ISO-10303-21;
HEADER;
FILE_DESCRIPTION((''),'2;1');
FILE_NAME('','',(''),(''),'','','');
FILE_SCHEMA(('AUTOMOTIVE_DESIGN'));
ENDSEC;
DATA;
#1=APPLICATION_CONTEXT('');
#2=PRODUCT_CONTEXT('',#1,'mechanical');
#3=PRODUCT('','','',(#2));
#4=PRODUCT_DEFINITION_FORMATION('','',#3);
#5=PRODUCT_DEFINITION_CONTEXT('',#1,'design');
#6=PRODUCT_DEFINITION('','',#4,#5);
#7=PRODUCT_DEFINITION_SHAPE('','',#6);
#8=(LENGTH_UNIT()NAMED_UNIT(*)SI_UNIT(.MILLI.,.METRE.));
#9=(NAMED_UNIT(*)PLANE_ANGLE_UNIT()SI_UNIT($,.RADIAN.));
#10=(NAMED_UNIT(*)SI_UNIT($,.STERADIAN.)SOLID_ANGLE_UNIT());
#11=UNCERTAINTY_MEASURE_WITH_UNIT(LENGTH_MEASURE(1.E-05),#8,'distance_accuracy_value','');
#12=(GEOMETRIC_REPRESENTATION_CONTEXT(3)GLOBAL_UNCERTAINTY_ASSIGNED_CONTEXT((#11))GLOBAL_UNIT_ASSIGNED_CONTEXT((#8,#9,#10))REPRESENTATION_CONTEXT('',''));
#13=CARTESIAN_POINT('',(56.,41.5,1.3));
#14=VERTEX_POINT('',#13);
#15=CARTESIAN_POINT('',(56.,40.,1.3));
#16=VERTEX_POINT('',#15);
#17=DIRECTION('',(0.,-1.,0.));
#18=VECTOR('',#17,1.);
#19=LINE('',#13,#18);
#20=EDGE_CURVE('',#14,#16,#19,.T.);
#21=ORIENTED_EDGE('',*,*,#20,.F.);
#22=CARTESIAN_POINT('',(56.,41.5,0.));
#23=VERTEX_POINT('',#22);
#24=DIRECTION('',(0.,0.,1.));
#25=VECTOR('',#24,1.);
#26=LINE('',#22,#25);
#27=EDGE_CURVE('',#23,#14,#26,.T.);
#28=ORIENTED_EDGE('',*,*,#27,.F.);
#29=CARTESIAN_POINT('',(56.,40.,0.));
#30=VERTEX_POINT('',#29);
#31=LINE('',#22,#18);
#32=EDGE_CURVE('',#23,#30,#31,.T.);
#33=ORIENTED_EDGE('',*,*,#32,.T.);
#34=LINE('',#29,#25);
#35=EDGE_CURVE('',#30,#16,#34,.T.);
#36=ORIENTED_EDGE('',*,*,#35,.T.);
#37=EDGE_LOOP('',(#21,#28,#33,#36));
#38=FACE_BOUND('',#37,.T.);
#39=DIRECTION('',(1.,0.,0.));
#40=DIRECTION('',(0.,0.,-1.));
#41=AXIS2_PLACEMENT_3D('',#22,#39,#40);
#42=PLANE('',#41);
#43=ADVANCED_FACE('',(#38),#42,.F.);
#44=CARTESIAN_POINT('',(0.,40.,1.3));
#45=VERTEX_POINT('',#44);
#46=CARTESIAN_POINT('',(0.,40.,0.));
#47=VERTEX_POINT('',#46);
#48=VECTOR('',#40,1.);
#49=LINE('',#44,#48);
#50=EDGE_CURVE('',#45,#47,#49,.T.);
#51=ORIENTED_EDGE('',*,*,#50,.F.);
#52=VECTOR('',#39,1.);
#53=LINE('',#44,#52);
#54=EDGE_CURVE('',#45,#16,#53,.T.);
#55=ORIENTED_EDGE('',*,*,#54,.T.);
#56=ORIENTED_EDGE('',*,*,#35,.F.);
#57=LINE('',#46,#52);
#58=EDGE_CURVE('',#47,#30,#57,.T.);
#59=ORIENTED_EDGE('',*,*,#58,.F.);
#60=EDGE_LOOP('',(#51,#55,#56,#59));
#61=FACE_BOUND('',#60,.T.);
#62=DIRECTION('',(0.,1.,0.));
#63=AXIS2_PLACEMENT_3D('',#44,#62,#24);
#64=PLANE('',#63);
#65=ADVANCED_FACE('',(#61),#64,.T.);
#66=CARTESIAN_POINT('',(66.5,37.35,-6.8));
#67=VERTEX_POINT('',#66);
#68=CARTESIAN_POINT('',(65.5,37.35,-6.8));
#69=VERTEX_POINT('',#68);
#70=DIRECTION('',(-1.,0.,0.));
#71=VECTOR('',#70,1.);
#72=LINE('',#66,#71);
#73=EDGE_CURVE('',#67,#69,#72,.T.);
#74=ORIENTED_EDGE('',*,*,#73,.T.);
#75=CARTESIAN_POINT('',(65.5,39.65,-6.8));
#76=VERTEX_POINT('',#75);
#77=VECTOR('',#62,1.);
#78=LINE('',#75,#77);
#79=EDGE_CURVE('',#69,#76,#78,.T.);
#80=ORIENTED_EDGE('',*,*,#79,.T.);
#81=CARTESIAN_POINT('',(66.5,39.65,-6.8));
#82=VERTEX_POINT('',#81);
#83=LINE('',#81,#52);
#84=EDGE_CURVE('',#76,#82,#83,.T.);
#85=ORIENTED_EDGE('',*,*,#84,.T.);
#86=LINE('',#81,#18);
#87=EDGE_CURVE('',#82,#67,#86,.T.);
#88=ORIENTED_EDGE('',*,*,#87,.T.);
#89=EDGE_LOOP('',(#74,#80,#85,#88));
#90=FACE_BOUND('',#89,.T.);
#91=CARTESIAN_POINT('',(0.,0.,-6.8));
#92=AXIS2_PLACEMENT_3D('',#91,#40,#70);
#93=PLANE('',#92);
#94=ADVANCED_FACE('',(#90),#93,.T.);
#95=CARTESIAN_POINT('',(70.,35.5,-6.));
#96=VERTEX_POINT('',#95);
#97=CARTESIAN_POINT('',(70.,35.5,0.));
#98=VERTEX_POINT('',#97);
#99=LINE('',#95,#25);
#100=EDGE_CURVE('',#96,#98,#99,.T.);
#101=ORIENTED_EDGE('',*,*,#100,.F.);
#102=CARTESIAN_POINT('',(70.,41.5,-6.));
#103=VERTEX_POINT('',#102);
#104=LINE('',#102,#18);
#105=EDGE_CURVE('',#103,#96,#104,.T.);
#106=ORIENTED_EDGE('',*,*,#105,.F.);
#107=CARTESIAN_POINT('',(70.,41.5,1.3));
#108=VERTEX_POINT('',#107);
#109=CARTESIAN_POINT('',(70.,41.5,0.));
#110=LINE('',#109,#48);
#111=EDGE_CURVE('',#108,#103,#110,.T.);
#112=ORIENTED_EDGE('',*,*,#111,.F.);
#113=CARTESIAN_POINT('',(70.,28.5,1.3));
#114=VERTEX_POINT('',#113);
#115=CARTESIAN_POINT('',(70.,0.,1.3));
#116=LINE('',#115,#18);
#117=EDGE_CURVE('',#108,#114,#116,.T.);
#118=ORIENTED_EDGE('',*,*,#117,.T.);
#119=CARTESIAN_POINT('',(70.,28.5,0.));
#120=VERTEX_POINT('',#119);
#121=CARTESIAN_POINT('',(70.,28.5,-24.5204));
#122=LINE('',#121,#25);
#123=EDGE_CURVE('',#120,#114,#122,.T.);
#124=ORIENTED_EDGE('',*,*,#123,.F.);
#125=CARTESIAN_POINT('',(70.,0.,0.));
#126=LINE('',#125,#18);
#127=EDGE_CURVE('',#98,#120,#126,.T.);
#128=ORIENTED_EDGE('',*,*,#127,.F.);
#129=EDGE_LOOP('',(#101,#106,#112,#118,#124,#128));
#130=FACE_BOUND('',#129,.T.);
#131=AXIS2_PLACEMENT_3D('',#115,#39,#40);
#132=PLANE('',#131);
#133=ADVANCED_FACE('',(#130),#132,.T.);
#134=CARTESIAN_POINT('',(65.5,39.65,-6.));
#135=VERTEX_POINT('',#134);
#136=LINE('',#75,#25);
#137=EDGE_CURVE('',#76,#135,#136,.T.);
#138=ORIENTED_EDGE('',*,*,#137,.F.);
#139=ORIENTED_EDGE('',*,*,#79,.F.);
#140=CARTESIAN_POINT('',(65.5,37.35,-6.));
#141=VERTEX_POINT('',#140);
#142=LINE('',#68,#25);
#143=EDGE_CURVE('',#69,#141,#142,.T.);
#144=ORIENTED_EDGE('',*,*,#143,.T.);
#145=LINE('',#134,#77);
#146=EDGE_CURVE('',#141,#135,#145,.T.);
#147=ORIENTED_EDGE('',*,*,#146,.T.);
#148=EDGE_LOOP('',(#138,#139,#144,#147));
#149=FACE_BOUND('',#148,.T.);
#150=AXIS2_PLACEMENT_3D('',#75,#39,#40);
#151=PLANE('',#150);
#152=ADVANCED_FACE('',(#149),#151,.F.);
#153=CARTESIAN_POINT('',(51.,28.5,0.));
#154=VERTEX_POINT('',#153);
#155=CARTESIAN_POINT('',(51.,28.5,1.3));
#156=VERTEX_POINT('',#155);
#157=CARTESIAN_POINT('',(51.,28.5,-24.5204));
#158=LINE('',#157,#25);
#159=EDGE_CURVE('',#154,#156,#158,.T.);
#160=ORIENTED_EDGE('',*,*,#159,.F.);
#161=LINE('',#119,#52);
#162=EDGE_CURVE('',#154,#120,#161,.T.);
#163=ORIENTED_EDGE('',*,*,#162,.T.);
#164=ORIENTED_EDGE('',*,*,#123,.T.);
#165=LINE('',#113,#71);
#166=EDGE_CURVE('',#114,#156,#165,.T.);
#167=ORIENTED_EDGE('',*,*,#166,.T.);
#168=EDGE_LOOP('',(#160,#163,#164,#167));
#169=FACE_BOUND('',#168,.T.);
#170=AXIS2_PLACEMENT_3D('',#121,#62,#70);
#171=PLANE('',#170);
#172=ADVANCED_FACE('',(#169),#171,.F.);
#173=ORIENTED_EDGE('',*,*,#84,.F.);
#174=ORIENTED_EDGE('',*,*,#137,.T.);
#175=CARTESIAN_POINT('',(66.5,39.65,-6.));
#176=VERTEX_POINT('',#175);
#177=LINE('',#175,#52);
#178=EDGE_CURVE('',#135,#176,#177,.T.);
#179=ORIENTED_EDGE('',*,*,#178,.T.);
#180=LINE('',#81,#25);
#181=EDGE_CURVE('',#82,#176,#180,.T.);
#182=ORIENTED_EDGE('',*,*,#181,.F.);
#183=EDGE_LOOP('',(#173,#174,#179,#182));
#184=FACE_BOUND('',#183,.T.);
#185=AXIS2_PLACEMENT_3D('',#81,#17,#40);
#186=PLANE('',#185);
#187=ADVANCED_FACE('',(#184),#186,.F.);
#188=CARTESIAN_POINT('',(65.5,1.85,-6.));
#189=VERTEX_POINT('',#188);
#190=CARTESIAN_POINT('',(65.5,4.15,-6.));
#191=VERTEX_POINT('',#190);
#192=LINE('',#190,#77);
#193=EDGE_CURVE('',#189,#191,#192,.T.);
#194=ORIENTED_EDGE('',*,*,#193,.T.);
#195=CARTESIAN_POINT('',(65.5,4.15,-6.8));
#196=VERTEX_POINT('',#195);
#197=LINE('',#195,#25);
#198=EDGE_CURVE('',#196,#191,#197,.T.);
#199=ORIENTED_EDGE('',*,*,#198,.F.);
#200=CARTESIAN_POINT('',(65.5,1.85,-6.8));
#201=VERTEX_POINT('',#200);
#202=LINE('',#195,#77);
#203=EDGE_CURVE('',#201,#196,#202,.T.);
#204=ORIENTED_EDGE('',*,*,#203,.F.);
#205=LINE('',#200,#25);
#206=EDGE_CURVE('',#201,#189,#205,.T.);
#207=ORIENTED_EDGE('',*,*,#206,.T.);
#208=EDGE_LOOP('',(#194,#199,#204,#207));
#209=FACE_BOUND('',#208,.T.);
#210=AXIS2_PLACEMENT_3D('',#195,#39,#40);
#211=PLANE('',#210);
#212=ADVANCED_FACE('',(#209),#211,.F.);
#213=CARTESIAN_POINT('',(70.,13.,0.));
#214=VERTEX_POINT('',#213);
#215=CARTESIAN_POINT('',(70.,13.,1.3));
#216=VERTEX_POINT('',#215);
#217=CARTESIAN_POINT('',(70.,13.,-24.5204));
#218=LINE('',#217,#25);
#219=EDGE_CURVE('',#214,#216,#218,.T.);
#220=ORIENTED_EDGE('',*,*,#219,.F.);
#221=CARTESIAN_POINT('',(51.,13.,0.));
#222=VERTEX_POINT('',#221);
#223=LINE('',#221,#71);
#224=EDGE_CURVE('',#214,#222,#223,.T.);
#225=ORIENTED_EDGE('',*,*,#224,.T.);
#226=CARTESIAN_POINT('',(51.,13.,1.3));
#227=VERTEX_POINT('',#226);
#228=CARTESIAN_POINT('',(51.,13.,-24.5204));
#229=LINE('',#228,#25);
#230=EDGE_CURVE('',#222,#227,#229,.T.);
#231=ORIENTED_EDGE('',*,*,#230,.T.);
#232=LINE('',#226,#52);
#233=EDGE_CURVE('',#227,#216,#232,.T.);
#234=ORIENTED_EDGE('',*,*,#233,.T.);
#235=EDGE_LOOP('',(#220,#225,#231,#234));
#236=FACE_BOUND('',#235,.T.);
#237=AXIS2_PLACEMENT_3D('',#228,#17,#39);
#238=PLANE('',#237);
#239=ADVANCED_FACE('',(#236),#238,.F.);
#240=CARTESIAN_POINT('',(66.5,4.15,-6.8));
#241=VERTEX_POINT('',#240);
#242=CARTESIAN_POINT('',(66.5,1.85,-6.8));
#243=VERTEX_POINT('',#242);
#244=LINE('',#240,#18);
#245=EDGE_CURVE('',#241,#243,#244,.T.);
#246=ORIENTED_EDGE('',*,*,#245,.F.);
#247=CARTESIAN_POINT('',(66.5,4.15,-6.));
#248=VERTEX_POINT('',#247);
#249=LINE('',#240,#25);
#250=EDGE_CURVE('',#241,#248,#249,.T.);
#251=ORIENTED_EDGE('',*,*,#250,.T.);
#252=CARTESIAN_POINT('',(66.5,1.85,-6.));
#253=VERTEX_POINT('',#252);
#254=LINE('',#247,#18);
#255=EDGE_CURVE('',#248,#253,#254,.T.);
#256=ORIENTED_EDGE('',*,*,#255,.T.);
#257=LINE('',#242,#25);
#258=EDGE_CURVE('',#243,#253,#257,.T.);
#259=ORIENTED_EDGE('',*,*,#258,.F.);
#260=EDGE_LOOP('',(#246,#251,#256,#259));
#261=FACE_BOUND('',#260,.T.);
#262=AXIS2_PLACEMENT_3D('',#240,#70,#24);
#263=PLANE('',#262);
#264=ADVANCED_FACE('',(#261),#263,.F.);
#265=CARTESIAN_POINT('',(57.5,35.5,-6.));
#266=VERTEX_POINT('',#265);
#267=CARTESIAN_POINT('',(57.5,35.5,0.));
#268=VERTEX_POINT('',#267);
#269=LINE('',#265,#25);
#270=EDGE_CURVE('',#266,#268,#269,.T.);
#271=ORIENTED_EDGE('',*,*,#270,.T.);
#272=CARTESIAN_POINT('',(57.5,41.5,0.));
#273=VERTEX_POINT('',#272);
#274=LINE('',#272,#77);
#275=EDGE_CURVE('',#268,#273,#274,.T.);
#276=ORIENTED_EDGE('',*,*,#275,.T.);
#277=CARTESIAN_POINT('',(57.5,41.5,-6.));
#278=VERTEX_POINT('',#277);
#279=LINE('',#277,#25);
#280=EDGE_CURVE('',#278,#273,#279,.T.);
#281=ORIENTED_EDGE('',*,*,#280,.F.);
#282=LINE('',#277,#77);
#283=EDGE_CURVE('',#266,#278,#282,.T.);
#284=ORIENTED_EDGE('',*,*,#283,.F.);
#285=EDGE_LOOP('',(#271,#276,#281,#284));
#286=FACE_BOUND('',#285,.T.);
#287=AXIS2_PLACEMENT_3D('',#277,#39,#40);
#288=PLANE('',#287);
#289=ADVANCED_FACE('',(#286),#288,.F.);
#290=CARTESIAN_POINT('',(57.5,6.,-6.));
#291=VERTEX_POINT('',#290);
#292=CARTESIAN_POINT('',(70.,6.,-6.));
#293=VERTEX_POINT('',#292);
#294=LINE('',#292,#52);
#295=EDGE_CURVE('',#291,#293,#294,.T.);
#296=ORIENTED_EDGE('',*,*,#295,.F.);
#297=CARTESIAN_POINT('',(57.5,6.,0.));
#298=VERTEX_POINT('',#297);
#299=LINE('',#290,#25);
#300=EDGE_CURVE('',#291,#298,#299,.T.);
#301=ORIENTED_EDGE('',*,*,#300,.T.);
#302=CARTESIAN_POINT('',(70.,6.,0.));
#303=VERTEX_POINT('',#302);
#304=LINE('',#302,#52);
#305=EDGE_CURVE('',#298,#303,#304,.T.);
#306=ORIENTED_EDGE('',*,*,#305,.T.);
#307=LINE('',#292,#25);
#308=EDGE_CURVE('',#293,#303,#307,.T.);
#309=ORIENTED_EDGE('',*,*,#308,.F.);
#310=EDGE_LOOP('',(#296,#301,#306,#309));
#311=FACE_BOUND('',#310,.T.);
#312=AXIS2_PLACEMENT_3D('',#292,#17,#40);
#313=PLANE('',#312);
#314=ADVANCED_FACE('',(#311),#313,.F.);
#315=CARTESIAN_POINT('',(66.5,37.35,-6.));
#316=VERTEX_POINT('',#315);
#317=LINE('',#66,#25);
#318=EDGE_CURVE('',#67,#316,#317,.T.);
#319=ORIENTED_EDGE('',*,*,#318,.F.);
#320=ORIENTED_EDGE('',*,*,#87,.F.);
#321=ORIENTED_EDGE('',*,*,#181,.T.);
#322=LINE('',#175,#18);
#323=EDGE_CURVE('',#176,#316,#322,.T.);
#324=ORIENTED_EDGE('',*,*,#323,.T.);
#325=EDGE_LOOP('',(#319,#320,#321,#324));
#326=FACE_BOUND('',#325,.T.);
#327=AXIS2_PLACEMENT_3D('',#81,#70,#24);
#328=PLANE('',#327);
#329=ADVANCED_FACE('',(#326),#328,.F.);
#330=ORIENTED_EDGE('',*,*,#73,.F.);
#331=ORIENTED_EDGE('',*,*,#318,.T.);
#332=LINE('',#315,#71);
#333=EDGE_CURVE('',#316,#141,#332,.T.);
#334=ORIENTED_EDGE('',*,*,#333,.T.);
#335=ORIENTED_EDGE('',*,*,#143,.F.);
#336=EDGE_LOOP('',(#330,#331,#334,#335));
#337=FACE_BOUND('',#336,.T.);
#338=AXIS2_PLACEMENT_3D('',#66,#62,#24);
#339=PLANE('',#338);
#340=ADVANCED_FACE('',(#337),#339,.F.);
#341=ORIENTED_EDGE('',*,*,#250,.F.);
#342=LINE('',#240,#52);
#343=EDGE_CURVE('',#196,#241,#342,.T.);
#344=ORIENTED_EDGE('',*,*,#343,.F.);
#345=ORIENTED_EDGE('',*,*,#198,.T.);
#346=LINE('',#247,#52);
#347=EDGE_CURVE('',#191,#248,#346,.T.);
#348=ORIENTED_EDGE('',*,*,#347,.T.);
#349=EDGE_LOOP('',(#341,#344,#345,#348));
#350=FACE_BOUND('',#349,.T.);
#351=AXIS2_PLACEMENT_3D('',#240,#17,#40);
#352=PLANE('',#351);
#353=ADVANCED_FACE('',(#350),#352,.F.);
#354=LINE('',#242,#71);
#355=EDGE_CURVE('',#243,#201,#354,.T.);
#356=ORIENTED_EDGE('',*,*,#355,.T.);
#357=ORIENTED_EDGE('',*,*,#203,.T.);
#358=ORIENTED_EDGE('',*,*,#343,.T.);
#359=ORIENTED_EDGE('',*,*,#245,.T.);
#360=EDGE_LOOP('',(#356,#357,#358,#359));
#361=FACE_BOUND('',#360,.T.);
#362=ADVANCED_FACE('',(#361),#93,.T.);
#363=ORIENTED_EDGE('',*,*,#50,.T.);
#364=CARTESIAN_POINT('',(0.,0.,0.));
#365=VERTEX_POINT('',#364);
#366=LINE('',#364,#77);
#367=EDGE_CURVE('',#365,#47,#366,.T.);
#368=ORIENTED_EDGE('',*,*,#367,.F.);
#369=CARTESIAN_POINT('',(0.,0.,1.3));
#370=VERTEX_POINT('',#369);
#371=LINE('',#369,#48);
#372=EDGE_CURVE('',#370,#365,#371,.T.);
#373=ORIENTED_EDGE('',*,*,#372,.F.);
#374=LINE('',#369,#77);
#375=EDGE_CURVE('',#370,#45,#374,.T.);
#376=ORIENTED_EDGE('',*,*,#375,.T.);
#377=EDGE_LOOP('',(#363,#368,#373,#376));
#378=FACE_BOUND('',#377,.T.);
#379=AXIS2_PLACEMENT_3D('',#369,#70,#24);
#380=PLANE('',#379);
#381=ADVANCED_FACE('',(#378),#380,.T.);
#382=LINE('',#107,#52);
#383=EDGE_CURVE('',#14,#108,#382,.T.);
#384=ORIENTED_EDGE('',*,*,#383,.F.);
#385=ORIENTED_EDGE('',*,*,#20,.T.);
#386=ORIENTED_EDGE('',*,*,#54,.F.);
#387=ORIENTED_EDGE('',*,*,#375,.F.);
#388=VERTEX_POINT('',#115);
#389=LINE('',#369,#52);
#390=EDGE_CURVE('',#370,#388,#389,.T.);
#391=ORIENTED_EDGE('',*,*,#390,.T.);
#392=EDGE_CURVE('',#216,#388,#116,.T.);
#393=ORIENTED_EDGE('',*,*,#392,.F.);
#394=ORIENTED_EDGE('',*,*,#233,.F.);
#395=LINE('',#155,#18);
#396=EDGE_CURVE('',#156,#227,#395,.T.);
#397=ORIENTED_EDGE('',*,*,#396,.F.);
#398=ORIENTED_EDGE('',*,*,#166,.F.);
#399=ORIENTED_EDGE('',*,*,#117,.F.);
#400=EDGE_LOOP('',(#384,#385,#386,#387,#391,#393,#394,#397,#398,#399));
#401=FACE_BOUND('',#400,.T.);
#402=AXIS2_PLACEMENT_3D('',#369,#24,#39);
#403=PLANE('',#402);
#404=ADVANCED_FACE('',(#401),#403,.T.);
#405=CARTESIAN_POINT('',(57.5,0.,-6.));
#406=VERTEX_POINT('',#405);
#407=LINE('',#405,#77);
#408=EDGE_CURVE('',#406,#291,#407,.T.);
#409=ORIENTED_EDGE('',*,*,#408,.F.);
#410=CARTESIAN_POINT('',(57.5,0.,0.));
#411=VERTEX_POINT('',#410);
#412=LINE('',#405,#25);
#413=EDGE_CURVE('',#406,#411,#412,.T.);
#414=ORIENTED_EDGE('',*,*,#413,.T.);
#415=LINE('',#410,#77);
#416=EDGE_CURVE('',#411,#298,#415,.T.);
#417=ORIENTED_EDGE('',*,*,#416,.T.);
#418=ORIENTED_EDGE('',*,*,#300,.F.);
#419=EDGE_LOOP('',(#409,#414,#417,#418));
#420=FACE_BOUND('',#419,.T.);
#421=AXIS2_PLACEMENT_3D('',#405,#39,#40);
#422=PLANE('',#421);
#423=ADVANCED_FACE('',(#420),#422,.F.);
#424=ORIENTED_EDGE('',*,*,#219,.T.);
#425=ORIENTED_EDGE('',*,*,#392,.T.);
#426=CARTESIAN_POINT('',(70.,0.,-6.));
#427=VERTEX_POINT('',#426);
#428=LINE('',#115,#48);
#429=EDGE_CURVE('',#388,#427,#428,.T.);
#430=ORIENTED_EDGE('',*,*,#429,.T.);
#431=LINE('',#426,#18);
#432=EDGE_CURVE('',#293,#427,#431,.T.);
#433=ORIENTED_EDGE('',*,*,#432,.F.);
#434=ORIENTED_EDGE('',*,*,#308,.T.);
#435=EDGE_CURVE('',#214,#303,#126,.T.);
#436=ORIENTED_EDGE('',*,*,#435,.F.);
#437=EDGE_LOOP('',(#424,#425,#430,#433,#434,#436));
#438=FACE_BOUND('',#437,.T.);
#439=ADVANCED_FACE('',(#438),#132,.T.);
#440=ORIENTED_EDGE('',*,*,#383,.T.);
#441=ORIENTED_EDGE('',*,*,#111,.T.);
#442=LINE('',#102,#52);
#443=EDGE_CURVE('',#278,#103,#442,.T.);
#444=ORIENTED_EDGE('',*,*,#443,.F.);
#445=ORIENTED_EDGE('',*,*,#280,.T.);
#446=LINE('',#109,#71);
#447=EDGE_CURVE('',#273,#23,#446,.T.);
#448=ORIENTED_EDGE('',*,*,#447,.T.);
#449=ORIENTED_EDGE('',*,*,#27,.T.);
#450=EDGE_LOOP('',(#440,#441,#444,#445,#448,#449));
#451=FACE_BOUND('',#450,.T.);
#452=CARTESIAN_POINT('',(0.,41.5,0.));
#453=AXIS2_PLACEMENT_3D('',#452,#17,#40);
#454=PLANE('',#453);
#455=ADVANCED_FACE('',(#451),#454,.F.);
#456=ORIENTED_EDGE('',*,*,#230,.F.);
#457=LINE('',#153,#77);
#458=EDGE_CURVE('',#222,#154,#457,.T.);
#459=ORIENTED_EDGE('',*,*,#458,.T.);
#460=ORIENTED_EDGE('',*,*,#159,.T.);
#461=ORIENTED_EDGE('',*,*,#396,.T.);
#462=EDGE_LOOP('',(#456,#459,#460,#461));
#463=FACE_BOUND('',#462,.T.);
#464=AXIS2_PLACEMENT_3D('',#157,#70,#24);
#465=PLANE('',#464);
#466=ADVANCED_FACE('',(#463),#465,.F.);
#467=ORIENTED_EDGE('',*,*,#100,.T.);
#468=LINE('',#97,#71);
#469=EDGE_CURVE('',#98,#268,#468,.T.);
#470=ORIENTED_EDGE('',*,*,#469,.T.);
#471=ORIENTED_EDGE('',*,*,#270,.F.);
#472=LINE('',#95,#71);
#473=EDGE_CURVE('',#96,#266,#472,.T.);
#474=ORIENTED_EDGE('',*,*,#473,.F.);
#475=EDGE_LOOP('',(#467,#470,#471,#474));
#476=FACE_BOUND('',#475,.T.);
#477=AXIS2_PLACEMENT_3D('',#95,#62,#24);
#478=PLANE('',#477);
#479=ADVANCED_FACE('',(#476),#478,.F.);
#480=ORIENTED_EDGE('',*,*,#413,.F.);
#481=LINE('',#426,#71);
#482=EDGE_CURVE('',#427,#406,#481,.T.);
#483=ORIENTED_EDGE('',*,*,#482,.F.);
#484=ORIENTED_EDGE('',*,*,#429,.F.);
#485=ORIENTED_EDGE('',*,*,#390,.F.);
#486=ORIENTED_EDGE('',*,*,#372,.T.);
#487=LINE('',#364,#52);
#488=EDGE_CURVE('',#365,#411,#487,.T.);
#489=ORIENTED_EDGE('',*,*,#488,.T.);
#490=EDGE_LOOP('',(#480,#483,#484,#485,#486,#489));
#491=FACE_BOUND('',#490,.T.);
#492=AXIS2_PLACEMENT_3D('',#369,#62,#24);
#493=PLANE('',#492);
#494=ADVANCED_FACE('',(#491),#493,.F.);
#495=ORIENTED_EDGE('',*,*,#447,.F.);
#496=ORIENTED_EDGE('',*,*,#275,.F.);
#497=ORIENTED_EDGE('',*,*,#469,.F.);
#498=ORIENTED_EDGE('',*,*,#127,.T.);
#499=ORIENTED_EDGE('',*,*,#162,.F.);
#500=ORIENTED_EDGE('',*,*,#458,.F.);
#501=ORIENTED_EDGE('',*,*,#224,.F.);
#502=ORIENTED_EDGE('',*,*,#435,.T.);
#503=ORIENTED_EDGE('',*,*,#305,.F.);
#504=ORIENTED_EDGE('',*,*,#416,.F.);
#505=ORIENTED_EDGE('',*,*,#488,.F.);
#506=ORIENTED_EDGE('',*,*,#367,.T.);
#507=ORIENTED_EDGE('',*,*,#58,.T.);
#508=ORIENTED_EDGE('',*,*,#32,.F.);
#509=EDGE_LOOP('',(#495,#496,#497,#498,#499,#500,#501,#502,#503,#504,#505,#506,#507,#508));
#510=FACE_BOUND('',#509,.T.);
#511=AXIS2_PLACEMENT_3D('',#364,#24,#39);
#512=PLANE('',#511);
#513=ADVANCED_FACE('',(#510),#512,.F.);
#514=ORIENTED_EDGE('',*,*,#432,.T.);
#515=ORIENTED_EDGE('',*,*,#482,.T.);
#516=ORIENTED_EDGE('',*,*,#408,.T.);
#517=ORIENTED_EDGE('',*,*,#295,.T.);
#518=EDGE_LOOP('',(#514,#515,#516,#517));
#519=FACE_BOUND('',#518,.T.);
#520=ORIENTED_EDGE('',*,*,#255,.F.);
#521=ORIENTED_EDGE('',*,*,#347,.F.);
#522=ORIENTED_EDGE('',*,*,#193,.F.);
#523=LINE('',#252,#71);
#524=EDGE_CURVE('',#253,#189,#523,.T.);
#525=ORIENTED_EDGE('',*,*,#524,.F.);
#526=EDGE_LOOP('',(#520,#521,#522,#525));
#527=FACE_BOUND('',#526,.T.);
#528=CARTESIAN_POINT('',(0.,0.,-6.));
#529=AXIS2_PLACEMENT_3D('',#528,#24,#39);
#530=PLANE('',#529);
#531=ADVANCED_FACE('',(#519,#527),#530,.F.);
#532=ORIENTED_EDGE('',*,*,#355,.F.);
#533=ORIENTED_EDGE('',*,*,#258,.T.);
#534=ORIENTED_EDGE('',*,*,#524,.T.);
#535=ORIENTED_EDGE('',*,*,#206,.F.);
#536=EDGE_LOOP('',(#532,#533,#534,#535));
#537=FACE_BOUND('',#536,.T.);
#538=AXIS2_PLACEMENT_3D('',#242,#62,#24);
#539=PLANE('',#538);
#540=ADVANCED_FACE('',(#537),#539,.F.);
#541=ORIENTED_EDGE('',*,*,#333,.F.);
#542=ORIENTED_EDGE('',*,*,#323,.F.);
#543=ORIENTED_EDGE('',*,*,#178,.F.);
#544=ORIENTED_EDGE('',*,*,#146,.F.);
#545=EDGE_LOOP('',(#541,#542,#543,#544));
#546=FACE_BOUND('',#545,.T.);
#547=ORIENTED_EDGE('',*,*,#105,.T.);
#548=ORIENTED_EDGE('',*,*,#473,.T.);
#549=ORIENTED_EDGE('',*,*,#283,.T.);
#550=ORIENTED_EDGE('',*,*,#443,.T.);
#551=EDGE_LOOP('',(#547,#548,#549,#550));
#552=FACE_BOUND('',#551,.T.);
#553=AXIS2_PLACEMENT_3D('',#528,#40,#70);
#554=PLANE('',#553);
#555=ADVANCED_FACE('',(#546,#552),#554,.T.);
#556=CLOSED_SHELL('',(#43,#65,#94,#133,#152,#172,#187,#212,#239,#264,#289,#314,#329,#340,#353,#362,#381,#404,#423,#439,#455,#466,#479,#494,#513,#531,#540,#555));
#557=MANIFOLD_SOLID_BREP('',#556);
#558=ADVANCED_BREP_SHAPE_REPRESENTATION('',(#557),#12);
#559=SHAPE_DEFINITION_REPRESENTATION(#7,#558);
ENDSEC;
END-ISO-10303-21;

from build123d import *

# Parameters (mm, degrees)
SKETCH2_W           = 70
SKETCH2_H           = 40
BOSS_EXTRUDE1_DEPTH = 1.3
SKETCH4_W           = 14
SKETCH4_H           = 1.3
BOSS_EXTRUDE3_DEPTH = 1.5
SKETCH8_W           = 12.5
SKETCH8_H           = 6
BOSS_EXTRUDE4_DEPTH = 6
SKETCH9_W           = 1
SKETCH9_H           = 2.3
BOSS_EXTRUDE5_DEPTH = 0.8
SKETCH6_W           = 19
SKETCH6_H           = 15.5
CUT_EXTRUDE1_DEPTH  = 1.3


with BuildPart() as part:
    # Sketch2 → Boss-Extrude1 (new body)
    with BuildSketch(Plane.XY):
        with Locations((35, 20)):
            Rectangle(SKETCH2_W, SKETCH2_H)
    extrude(amount=BOSS_EXTRUDE1_DEPTH)

    # Sketch4 → Boss-Extrude3 (add)
    with BuildSketch(Plane(origin=(0, 40, 0), x_dir=(1, 0, 0), z_dir=(0, 1, 0))):
        with Locations((63, -0.65)):
            Rectangle(SKETCH4_W, SKETCH4_H)
    extrude(amount=BOSS_EXTRUDE3_DEPTH)

    # Sketch8 → Boss-Extrude4 (add)
    with BuildSketch(Plane(origin=(0, 0, 0), x_dir=(-1, 0, 0), z_dir=(0, 0, -1))):
        with Locations((-63.75, 38.5)):
            Rectangle(SKETCH8_W, SKETCH8_H)
        with Locations((-63.75, 3)):
            Rectangle(SKETCH8_W, SKETCH8_H)
    extrude(amount=BOSS_EXTRUDE4_DEPTH)

    # Sketch9 → Boss-Extrude5 (add)
    with BuildSketch(Plane(origin=(0, 0, -6), x_dir=(-1, 0, 0), z_dir=(0, 0, -1))):
        with Locations((-66, 38.5)):
            Rectangle(SKETCH9_W, SKETCH9_H)
        with Locations((-66, 3)):
            Rectangle(SKETCH9_W, SKETCH9_H)
    extrude(amount=BOSS_EXTRUDE5_DEPTH)

    # Sketch6 → Cut-Extrude1 (cut)
    with BuildSketch(Plane.XY.offset(1.3)):
        with Locations((60.5, 20.75)):
            Rectangle(SKETCH6_W, SKETCH6_H)
    extrude(amount=-CUT_EXTRUDE1_DEPTH, mode=Mode.SUBTRACT)


solid = part.part
